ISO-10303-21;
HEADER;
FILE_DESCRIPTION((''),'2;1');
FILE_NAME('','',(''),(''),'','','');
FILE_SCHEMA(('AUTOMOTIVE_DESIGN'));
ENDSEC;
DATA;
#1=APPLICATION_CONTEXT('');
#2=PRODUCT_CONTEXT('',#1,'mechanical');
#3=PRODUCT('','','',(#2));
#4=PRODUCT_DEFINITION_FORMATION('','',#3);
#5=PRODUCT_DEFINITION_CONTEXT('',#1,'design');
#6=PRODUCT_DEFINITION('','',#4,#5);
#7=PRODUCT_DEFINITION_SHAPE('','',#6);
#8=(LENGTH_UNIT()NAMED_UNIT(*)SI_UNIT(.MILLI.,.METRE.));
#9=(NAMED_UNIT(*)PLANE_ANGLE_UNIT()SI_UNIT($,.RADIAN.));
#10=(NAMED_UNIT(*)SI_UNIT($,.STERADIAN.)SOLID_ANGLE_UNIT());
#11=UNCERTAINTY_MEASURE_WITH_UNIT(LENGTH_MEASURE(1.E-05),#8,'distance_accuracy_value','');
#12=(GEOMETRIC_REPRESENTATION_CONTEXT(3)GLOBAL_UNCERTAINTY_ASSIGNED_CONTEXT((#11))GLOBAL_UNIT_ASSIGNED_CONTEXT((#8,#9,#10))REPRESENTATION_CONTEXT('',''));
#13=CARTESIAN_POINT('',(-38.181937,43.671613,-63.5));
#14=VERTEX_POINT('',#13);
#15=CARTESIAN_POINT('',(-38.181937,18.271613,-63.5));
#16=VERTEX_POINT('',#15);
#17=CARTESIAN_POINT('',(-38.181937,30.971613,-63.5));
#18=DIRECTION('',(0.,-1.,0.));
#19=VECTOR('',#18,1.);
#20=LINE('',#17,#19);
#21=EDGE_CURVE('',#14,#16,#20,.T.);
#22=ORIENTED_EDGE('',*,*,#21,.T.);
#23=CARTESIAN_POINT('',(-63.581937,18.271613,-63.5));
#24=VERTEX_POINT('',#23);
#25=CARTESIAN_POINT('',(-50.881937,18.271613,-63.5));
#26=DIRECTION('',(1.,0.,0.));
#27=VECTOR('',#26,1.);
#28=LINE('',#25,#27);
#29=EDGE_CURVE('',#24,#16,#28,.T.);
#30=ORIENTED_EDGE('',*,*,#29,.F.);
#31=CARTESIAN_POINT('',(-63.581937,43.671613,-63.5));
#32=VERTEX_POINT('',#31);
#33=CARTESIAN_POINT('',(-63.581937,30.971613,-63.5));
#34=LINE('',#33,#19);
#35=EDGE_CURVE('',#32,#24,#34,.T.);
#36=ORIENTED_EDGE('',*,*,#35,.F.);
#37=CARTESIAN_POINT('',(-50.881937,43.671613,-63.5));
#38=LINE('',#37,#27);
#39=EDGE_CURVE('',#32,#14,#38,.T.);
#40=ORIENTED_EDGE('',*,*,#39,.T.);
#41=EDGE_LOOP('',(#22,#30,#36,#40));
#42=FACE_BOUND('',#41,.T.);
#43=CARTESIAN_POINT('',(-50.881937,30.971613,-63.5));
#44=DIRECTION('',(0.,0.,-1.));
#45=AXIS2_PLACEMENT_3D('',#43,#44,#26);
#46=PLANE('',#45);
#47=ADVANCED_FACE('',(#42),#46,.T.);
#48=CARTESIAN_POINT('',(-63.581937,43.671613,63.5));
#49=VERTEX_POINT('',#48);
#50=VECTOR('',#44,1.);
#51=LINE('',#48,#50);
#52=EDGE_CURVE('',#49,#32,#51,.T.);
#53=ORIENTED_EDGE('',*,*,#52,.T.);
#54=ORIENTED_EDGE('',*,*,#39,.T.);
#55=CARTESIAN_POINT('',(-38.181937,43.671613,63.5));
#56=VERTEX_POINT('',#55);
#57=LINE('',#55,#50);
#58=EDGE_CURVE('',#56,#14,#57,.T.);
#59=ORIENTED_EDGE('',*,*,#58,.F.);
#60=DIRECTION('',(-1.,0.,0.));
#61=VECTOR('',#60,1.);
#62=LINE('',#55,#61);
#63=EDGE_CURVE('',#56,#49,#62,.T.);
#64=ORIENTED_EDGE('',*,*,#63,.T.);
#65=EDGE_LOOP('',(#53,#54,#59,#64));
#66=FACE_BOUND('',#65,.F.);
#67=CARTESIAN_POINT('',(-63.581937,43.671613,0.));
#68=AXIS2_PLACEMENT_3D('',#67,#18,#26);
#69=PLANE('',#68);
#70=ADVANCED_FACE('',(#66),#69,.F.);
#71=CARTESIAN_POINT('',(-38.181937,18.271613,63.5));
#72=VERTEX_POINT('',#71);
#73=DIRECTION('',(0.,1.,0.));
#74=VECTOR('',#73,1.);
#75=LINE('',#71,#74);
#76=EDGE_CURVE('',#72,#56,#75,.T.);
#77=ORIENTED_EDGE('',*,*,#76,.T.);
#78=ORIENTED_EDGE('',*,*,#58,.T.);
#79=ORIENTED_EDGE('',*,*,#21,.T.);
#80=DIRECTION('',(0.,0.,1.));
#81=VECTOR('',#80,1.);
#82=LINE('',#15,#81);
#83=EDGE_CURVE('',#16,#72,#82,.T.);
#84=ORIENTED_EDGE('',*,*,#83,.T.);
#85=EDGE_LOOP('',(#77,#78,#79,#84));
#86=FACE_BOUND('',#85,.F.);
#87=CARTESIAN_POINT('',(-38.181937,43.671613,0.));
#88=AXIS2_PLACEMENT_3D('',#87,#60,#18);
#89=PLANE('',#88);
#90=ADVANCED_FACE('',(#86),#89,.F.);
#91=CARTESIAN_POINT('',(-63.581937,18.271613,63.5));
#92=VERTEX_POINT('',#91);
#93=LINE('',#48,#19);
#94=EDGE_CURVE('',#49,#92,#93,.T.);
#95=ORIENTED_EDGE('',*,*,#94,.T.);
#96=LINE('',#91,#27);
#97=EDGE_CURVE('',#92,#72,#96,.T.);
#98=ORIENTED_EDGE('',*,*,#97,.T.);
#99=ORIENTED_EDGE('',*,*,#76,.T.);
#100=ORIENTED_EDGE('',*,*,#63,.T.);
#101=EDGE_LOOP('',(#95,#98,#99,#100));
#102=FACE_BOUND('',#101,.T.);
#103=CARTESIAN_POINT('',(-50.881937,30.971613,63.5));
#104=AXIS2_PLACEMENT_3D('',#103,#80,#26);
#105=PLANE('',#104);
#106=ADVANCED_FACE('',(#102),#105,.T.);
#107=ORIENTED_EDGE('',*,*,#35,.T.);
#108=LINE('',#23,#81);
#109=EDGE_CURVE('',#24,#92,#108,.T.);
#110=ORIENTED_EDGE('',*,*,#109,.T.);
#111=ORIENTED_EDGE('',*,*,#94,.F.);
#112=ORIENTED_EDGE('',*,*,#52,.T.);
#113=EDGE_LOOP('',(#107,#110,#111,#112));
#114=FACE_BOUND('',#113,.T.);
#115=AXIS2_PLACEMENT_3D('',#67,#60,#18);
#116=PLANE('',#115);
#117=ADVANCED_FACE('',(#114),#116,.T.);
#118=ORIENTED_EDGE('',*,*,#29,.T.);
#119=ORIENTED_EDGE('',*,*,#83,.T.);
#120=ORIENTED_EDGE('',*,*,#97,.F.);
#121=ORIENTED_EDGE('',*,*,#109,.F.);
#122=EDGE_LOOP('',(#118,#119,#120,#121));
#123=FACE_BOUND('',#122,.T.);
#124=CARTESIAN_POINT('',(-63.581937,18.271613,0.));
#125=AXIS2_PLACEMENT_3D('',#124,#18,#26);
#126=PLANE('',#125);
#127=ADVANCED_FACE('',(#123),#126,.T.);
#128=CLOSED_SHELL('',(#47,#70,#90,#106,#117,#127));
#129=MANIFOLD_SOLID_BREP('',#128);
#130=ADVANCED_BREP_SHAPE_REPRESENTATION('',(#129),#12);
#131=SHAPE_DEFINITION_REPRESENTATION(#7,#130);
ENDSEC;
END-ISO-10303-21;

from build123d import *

# Parameters (mm, degrees)
F1_DEPTH  = 63.5
F1_FACE_W = 25.4
F1_FACE_H = 25.4
F2_DEPTH  = 63.5


with BuildPart() as f1:
    # F0 (on Top) → F1 (new body)
    with BuildSketch(Plane.XY):
        Polygon((-38.181937, 30.971613), (-38.181937, 43.671613), (-63.581937, 43.671613), (-63.581937, 18.271613), (-38.181937, 18.271613), align=None)
    extrude(amount=F1_DEPTH)

    # F1_face (on face) → F2 (join)
    with BuildSketch(Plane(origin=(-50.881937, 30.971613, 0), x_dir=(1, 0, 0), z_dir=(0, 0, -1))):
        Rectangle(F1_FACE_W, F1_FACE_H)
    extrude(amount=F2_DEPTH)


solid = f1.part
